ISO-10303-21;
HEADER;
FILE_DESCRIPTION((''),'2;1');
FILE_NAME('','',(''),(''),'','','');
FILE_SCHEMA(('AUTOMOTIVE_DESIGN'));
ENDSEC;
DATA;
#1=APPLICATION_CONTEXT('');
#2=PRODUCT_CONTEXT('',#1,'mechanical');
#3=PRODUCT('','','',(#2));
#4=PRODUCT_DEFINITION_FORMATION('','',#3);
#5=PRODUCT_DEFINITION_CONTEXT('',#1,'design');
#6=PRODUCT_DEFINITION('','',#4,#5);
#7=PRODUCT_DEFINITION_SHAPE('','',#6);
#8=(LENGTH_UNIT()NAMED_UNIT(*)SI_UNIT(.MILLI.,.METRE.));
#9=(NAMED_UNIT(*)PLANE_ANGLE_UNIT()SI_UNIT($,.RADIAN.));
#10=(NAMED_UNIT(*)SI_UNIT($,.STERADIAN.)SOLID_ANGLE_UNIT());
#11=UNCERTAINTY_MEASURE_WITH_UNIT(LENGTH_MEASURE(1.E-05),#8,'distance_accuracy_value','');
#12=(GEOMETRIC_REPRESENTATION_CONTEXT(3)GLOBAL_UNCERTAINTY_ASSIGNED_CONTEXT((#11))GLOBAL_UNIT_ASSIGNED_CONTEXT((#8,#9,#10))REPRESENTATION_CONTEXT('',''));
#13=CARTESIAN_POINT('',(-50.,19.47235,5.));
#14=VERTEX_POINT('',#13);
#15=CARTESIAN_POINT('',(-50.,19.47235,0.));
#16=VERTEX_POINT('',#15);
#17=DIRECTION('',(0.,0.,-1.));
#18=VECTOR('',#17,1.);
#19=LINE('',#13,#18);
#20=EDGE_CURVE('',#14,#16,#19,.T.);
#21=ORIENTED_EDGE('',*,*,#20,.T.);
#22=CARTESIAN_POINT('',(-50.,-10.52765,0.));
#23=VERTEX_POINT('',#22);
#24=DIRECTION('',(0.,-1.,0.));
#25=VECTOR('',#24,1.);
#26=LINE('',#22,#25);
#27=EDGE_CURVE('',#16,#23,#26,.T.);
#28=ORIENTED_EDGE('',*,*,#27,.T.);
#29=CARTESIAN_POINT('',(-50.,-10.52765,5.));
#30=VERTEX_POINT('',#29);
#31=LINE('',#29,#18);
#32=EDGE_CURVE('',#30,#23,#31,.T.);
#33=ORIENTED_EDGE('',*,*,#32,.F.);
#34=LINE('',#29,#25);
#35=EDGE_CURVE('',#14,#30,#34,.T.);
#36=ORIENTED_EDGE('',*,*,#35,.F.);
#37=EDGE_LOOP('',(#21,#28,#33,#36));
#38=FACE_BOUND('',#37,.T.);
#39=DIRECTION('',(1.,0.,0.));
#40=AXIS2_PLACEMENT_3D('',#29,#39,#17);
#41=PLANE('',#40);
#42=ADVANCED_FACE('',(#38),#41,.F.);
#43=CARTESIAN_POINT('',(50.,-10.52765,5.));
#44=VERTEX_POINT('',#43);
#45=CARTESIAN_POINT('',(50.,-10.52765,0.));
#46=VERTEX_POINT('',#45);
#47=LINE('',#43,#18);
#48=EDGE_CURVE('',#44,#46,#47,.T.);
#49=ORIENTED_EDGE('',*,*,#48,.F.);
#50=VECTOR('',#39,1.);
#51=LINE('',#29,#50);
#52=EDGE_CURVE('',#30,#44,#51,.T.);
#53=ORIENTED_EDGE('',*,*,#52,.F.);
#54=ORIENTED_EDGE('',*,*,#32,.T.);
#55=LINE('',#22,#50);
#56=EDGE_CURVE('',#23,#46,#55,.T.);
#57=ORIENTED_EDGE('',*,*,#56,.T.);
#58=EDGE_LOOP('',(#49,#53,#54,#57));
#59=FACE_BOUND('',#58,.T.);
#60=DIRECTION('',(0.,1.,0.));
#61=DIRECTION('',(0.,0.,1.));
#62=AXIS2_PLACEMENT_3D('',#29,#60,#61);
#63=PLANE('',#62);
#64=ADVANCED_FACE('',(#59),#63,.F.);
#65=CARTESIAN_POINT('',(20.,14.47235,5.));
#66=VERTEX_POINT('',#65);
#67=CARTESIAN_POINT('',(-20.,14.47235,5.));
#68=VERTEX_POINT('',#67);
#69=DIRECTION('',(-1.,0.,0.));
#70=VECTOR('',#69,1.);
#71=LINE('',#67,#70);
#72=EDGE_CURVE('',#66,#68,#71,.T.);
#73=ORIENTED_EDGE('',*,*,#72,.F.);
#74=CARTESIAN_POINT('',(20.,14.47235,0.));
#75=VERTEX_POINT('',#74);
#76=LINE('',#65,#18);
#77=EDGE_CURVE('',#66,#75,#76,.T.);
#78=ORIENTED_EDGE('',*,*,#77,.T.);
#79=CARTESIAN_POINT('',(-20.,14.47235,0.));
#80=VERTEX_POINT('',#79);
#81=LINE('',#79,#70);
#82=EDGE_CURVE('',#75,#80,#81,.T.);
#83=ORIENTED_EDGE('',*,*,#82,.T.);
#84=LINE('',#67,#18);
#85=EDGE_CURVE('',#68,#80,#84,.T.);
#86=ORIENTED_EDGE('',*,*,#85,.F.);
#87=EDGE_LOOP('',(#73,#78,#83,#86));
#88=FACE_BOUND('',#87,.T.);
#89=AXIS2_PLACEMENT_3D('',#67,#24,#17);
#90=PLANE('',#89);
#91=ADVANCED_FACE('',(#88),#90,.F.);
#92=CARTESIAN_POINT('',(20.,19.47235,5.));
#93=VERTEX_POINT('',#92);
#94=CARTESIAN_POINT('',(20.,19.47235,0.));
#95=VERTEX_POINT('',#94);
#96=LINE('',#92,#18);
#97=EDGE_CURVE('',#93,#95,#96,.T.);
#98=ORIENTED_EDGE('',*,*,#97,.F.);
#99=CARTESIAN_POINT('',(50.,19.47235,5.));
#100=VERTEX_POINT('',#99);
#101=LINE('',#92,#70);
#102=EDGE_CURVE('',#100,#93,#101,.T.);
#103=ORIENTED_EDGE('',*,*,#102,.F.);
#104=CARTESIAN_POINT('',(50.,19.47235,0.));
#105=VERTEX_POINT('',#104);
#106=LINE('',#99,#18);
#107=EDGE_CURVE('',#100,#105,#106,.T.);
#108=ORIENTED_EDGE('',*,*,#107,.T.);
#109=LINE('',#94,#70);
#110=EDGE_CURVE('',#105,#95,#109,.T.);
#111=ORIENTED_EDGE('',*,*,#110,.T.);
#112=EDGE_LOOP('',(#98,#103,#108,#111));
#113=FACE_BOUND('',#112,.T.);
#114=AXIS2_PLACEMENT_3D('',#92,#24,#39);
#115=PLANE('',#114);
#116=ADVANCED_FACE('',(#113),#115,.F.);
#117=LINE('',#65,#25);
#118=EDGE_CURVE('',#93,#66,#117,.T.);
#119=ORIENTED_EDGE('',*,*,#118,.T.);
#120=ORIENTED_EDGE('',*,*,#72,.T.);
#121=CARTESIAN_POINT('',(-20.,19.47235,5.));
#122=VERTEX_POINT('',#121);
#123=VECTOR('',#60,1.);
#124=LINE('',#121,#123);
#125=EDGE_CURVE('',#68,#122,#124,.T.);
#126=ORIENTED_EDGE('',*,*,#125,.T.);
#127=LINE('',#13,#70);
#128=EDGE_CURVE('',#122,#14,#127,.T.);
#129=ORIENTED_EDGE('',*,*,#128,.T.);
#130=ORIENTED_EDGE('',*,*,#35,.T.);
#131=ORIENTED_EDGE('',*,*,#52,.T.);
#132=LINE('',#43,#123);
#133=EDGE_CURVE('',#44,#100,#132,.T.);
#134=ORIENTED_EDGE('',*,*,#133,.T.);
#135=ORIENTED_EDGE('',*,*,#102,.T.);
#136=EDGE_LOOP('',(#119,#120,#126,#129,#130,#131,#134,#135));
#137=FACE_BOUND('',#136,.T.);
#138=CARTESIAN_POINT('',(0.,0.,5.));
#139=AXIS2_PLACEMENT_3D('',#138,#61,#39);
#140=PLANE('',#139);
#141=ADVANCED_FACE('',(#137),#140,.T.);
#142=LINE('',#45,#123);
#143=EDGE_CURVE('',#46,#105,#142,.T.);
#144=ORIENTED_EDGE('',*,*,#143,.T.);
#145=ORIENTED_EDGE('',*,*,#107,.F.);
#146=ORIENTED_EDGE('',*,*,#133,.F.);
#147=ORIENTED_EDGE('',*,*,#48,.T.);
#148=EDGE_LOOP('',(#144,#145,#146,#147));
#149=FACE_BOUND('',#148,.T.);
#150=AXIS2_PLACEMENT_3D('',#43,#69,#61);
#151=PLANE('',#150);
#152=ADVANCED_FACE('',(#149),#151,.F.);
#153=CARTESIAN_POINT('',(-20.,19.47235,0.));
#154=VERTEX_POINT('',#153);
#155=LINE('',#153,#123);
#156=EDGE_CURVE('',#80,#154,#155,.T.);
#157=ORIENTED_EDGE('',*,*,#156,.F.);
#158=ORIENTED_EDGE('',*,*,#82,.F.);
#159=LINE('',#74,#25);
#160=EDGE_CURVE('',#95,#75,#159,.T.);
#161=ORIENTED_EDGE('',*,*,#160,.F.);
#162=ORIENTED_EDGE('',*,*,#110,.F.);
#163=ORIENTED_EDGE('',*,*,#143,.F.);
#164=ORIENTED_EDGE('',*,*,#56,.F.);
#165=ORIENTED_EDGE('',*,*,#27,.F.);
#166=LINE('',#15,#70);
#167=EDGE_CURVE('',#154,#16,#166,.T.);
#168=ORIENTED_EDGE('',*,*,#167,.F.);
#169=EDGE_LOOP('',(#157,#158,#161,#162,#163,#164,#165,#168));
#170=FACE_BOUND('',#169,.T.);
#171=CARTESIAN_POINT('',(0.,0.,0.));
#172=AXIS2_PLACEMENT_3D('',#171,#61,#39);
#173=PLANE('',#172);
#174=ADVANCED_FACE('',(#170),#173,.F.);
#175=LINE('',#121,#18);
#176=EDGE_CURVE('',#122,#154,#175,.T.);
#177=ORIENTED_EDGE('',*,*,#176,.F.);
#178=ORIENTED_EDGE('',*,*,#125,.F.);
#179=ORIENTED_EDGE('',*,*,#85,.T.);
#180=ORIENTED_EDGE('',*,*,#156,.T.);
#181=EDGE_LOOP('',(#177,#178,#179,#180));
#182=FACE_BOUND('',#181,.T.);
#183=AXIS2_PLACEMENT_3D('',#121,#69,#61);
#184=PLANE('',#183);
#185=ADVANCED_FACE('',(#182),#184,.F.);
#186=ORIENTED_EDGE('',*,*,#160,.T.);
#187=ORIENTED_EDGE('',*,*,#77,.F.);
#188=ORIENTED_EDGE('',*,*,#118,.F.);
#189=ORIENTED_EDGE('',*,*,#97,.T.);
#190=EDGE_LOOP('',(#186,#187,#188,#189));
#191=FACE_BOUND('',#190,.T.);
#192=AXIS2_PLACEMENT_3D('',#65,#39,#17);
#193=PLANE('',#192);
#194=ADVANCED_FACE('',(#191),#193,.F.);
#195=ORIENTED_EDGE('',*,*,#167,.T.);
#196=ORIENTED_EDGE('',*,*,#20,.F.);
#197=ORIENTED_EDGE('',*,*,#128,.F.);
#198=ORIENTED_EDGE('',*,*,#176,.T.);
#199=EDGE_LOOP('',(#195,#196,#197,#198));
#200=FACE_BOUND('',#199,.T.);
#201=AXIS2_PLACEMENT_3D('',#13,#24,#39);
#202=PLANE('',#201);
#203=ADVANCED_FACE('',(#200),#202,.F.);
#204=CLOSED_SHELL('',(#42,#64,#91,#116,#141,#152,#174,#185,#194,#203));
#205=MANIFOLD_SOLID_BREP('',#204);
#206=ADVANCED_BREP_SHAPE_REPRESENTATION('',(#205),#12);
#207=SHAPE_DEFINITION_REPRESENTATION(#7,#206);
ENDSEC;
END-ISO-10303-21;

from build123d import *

# Parameters (mm, degrees)
BOSS_EXTRUDE1_DEPTH = 5


with BuildPart() as part:
    # Sketch1 → Boss-Extrude1 (new body)
    with BuildSketch(Plane.XY):
        Polygon((-50, -10.527650376), (50, -10.527650376), (50, 19.472349624), (20, 19.472349624), (20, 14.472349624), (-20, 14.472349624), (-20, 19.472349624), (-50, 19.472349624), align=None)
    extrude(amount=BOSS_EXTRUDE1_DEPTH)


solid = part.part
